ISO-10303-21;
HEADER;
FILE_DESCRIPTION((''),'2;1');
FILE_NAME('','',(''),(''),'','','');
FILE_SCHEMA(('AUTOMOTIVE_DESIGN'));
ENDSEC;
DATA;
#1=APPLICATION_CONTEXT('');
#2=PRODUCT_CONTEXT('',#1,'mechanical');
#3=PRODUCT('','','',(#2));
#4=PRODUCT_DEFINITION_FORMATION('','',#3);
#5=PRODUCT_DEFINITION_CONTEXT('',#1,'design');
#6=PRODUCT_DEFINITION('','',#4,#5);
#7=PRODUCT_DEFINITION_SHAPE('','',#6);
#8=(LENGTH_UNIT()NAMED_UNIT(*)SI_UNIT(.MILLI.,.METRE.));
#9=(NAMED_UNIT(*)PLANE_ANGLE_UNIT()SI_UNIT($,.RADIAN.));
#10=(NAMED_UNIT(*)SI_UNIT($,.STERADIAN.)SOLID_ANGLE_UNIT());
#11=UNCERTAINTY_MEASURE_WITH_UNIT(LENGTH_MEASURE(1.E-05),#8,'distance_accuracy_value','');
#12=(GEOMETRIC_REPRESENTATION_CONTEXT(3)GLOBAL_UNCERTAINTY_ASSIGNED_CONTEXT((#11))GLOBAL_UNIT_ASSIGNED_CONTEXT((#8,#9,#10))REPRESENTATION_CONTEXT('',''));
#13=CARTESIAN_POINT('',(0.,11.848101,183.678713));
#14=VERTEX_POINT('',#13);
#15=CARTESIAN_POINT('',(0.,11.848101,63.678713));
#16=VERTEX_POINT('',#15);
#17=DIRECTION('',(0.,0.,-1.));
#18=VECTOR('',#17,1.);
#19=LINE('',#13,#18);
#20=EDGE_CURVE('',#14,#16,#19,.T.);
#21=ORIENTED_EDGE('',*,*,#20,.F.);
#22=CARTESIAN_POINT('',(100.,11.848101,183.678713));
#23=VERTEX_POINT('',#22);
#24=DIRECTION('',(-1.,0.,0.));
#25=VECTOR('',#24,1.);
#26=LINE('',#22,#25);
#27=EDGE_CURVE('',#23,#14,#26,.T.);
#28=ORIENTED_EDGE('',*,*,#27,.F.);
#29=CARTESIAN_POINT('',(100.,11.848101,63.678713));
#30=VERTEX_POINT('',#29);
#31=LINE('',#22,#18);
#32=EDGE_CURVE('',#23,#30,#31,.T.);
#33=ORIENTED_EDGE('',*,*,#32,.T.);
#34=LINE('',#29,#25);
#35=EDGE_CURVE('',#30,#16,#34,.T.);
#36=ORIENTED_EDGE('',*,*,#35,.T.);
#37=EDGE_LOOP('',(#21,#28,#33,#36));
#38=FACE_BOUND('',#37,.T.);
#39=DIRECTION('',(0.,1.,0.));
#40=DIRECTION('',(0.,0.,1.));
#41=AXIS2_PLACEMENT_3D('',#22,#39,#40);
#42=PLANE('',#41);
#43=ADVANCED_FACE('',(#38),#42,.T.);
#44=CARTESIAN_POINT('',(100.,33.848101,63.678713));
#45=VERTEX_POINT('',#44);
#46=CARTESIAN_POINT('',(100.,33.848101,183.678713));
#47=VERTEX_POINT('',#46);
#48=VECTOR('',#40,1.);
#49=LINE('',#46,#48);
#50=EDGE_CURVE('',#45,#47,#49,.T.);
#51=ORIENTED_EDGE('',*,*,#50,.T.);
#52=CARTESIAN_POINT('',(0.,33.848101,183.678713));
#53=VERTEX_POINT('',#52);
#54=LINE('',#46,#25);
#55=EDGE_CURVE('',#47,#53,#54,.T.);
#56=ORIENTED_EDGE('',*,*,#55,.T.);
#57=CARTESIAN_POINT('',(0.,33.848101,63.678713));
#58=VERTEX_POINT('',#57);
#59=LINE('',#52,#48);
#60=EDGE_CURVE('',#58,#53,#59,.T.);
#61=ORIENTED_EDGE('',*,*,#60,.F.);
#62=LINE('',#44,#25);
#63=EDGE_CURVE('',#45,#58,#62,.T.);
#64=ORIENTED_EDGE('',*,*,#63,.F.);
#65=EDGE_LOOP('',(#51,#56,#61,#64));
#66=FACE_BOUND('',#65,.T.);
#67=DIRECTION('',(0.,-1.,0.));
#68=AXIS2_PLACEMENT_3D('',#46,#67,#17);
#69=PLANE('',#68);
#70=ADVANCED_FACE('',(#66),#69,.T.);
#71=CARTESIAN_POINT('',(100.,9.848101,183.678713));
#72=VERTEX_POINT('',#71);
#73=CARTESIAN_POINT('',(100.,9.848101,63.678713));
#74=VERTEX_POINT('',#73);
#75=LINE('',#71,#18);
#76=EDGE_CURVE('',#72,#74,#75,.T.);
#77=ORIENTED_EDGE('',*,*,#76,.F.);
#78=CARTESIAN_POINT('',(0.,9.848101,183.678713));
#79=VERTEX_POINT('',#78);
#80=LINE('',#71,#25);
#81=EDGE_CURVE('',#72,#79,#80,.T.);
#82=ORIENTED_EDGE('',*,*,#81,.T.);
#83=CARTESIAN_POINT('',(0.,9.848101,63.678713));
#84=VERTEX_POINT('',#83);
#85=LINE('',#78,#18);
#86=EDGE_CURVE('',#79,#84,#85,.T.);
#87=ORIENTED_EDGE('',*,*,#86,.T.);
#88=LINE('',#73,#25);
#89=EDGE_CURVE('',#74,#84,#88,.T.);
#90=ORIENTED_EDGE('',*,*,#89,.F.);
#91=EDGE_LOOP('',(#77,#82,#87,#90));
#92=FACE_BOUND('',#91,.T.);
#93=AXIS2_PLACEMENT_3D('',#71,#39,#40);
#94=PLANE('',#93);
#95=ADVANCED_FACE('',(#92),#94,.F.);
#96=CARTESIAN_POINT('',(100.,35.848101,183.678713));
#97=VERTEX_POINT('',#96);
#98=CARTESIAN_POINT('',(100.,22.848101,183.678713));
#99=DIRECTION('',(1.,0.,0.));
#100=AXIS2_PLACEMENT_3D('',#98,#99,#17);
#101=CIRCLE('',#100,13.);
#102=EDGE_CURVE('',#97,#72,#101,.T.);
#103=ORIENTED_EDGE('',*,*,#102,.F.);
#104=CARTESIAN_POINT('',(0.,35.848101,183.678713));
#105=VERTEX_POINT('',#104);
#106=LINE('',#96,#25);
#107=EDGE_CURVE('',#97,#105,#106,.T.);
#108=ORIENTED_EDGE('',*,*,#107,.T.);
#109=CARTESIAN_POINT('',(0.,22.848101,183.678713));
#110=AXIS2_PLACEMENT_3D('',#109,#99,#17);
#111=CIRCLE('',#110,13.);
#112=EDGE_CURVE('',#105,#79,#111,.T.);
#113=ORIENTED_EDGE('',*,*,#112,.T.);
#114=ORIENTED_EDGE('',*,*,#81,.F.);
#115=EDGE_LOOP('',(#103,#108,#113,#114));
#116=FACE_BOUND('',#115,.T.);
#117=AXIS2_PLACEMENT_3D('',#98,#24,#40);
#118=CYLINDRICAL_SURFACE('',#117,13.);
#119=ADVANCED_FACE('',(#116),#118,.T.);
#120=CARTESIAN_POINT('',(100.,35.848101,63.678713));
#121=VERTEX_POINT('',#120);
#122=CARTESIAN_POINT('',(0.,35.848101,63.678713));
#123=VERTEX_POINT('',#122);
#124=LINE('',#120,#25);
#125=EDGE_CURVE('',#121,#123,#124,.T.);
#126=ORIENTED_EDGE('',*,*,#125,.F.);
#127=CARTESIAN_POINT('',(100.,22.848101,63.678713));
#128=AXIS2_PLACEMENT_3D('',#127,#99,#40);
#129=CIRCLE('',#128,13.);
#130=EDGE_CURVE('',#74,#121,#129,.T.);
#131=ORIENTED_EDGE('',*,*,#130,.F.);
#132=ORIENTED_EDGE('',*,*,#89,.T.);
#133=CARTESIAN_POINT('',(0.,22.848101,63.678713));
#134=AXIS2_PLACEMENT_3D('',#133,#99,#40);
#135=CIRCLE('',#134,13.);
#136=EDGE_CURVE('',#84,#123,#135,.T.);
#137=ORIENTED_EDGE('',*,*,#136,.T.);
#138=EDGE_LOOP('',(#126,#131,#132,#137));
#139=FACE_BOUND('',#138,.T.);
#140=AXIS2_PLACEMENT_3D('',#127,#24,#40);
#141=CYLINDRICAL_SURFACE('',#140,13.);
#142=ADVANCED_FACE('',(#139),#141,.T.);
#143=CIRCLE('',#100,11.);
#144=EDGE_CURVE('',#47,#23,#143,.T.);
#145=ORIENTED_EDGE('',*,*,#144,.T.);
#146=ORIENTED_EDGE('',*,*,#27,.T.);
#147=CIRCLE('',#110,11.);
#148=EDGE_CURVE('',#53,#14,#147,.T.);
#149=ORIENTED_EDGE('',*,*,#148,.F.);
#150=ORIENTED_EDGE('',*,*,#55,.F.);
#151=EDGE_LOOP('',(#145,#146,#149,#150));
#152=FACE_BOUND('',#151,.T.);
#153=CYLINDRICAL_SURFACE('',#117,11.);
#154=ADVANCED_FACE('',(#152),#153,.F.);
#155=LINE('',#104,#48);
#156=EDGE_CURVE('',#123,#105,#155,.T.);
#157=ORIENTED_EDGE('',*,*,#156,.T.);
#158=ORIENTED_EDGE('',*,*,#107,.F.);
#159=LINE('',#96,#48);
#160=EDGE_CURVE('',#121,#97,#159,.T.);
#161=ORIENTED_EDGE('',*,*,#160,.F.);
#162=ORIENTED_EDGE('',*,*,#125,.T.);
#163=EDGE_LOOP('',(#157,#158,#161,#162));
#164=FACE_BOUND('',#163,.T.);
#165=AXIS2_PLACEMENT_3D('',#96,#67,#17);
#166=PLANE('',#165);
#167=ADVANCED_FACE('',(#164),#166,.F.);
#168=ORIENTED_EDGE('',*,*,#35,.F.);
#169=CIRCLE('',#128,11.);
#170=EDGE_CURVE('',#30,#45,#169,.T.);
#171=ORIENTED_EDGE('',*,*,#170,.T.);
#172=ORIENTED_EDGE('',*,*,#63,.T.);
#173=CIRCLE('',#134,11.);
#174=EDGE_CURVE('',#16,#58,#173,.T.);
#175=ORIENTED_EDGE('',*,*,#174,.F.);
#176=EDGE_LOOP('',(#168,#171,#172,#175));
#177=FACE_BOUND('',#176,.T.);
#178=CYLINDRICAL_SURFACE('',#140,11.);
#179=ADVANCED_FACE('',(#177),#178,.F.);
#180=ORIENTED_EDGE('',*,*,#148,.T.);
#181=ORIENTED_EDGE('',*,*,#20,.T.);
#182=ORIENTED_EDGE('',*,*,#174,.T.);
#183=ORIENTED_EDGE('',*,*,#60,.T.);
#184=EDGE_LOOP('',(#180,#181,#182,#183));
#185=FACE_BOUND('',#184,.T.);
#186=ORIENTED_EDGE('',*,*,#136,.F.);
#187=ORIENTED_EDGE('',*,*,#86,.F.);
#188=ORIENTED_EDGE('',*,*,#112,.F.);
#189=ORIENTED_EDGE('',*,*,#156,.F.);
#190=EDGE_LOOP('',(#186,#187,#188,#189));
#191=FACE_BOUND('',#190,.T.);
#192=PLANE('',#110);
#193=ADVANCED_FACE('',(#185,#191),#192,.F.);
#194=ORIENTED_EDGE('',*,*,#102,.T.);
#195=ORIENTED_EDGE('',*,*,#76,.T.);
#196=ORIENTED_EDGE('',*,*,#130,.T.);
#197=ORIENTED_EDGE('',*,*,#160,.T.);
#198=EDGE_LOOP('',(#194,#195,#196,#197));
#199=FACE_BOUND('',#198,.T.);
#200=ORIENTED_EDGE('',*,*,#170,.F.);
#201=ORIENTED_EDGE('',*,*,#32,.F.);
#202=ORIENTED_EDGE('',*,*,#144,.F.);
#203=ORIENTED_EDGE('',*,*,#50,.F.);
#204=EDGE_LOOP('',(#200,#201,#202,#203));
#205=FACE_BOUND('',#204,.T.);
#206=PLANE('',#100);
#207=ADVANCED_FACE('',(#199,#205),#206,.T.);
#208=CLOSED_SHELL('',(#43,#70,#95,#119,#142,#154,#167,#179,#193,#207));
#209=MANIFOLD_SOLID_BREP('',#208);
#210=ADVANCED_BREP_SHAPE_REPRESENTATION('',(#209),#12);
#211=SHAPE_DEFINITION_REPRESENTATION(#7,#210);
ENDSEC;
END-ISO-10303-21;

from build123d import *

# Parameters (mm, degrees)
BOSS_EXTRUDE1_DEPTH = 100


with BuildPart() as part:
    # Sketch1 → Boss-Extrude1 (new body)
    with BuildSketch(Plane(origin=(0, 0, 0), x_dir=(0, 0, -1), z_dir=(1, 0, 0))):
        with BuildLine():
            Line((-183.678713125, 35.848101266), (-63.678713125, 35.848101266))
            ThreePointArc((-63.678713125, 35.848101266), (-50.678713125, 22.848101266), (-63.678713125, 9.848101266))
            Line((-63.678713125, 9.848101266), (-183.678713125, 9.848101266))
            ThreePointArc((-183.678713125, 9.848101266), (-196.678713125, 22.848101266), (-183.678713125, 35.848101266))
        make_face()
        with BuildLine():
            Line((-183.678713125, 11.848101266), (-63.678713125, 11.848101266))
            ThreePointArc((-63.678713125, 11.848101266), (-52.678713125, 22.848101266), (-63.678713125, 33.848101266))
            Line((-63.678713125, 33.848101266), (-183.678713125, 33.848101266))
            ThreePointArc((-183.678713125, 33.848101266), (-194.678713125, 22.848101266), (-183.678713125, 11.848101266))
        make_face(mode=Mode.SUBTRACT)
    extrude(amount=BOSS_EXTRUDE1_DEPTH)


solid = part.part
